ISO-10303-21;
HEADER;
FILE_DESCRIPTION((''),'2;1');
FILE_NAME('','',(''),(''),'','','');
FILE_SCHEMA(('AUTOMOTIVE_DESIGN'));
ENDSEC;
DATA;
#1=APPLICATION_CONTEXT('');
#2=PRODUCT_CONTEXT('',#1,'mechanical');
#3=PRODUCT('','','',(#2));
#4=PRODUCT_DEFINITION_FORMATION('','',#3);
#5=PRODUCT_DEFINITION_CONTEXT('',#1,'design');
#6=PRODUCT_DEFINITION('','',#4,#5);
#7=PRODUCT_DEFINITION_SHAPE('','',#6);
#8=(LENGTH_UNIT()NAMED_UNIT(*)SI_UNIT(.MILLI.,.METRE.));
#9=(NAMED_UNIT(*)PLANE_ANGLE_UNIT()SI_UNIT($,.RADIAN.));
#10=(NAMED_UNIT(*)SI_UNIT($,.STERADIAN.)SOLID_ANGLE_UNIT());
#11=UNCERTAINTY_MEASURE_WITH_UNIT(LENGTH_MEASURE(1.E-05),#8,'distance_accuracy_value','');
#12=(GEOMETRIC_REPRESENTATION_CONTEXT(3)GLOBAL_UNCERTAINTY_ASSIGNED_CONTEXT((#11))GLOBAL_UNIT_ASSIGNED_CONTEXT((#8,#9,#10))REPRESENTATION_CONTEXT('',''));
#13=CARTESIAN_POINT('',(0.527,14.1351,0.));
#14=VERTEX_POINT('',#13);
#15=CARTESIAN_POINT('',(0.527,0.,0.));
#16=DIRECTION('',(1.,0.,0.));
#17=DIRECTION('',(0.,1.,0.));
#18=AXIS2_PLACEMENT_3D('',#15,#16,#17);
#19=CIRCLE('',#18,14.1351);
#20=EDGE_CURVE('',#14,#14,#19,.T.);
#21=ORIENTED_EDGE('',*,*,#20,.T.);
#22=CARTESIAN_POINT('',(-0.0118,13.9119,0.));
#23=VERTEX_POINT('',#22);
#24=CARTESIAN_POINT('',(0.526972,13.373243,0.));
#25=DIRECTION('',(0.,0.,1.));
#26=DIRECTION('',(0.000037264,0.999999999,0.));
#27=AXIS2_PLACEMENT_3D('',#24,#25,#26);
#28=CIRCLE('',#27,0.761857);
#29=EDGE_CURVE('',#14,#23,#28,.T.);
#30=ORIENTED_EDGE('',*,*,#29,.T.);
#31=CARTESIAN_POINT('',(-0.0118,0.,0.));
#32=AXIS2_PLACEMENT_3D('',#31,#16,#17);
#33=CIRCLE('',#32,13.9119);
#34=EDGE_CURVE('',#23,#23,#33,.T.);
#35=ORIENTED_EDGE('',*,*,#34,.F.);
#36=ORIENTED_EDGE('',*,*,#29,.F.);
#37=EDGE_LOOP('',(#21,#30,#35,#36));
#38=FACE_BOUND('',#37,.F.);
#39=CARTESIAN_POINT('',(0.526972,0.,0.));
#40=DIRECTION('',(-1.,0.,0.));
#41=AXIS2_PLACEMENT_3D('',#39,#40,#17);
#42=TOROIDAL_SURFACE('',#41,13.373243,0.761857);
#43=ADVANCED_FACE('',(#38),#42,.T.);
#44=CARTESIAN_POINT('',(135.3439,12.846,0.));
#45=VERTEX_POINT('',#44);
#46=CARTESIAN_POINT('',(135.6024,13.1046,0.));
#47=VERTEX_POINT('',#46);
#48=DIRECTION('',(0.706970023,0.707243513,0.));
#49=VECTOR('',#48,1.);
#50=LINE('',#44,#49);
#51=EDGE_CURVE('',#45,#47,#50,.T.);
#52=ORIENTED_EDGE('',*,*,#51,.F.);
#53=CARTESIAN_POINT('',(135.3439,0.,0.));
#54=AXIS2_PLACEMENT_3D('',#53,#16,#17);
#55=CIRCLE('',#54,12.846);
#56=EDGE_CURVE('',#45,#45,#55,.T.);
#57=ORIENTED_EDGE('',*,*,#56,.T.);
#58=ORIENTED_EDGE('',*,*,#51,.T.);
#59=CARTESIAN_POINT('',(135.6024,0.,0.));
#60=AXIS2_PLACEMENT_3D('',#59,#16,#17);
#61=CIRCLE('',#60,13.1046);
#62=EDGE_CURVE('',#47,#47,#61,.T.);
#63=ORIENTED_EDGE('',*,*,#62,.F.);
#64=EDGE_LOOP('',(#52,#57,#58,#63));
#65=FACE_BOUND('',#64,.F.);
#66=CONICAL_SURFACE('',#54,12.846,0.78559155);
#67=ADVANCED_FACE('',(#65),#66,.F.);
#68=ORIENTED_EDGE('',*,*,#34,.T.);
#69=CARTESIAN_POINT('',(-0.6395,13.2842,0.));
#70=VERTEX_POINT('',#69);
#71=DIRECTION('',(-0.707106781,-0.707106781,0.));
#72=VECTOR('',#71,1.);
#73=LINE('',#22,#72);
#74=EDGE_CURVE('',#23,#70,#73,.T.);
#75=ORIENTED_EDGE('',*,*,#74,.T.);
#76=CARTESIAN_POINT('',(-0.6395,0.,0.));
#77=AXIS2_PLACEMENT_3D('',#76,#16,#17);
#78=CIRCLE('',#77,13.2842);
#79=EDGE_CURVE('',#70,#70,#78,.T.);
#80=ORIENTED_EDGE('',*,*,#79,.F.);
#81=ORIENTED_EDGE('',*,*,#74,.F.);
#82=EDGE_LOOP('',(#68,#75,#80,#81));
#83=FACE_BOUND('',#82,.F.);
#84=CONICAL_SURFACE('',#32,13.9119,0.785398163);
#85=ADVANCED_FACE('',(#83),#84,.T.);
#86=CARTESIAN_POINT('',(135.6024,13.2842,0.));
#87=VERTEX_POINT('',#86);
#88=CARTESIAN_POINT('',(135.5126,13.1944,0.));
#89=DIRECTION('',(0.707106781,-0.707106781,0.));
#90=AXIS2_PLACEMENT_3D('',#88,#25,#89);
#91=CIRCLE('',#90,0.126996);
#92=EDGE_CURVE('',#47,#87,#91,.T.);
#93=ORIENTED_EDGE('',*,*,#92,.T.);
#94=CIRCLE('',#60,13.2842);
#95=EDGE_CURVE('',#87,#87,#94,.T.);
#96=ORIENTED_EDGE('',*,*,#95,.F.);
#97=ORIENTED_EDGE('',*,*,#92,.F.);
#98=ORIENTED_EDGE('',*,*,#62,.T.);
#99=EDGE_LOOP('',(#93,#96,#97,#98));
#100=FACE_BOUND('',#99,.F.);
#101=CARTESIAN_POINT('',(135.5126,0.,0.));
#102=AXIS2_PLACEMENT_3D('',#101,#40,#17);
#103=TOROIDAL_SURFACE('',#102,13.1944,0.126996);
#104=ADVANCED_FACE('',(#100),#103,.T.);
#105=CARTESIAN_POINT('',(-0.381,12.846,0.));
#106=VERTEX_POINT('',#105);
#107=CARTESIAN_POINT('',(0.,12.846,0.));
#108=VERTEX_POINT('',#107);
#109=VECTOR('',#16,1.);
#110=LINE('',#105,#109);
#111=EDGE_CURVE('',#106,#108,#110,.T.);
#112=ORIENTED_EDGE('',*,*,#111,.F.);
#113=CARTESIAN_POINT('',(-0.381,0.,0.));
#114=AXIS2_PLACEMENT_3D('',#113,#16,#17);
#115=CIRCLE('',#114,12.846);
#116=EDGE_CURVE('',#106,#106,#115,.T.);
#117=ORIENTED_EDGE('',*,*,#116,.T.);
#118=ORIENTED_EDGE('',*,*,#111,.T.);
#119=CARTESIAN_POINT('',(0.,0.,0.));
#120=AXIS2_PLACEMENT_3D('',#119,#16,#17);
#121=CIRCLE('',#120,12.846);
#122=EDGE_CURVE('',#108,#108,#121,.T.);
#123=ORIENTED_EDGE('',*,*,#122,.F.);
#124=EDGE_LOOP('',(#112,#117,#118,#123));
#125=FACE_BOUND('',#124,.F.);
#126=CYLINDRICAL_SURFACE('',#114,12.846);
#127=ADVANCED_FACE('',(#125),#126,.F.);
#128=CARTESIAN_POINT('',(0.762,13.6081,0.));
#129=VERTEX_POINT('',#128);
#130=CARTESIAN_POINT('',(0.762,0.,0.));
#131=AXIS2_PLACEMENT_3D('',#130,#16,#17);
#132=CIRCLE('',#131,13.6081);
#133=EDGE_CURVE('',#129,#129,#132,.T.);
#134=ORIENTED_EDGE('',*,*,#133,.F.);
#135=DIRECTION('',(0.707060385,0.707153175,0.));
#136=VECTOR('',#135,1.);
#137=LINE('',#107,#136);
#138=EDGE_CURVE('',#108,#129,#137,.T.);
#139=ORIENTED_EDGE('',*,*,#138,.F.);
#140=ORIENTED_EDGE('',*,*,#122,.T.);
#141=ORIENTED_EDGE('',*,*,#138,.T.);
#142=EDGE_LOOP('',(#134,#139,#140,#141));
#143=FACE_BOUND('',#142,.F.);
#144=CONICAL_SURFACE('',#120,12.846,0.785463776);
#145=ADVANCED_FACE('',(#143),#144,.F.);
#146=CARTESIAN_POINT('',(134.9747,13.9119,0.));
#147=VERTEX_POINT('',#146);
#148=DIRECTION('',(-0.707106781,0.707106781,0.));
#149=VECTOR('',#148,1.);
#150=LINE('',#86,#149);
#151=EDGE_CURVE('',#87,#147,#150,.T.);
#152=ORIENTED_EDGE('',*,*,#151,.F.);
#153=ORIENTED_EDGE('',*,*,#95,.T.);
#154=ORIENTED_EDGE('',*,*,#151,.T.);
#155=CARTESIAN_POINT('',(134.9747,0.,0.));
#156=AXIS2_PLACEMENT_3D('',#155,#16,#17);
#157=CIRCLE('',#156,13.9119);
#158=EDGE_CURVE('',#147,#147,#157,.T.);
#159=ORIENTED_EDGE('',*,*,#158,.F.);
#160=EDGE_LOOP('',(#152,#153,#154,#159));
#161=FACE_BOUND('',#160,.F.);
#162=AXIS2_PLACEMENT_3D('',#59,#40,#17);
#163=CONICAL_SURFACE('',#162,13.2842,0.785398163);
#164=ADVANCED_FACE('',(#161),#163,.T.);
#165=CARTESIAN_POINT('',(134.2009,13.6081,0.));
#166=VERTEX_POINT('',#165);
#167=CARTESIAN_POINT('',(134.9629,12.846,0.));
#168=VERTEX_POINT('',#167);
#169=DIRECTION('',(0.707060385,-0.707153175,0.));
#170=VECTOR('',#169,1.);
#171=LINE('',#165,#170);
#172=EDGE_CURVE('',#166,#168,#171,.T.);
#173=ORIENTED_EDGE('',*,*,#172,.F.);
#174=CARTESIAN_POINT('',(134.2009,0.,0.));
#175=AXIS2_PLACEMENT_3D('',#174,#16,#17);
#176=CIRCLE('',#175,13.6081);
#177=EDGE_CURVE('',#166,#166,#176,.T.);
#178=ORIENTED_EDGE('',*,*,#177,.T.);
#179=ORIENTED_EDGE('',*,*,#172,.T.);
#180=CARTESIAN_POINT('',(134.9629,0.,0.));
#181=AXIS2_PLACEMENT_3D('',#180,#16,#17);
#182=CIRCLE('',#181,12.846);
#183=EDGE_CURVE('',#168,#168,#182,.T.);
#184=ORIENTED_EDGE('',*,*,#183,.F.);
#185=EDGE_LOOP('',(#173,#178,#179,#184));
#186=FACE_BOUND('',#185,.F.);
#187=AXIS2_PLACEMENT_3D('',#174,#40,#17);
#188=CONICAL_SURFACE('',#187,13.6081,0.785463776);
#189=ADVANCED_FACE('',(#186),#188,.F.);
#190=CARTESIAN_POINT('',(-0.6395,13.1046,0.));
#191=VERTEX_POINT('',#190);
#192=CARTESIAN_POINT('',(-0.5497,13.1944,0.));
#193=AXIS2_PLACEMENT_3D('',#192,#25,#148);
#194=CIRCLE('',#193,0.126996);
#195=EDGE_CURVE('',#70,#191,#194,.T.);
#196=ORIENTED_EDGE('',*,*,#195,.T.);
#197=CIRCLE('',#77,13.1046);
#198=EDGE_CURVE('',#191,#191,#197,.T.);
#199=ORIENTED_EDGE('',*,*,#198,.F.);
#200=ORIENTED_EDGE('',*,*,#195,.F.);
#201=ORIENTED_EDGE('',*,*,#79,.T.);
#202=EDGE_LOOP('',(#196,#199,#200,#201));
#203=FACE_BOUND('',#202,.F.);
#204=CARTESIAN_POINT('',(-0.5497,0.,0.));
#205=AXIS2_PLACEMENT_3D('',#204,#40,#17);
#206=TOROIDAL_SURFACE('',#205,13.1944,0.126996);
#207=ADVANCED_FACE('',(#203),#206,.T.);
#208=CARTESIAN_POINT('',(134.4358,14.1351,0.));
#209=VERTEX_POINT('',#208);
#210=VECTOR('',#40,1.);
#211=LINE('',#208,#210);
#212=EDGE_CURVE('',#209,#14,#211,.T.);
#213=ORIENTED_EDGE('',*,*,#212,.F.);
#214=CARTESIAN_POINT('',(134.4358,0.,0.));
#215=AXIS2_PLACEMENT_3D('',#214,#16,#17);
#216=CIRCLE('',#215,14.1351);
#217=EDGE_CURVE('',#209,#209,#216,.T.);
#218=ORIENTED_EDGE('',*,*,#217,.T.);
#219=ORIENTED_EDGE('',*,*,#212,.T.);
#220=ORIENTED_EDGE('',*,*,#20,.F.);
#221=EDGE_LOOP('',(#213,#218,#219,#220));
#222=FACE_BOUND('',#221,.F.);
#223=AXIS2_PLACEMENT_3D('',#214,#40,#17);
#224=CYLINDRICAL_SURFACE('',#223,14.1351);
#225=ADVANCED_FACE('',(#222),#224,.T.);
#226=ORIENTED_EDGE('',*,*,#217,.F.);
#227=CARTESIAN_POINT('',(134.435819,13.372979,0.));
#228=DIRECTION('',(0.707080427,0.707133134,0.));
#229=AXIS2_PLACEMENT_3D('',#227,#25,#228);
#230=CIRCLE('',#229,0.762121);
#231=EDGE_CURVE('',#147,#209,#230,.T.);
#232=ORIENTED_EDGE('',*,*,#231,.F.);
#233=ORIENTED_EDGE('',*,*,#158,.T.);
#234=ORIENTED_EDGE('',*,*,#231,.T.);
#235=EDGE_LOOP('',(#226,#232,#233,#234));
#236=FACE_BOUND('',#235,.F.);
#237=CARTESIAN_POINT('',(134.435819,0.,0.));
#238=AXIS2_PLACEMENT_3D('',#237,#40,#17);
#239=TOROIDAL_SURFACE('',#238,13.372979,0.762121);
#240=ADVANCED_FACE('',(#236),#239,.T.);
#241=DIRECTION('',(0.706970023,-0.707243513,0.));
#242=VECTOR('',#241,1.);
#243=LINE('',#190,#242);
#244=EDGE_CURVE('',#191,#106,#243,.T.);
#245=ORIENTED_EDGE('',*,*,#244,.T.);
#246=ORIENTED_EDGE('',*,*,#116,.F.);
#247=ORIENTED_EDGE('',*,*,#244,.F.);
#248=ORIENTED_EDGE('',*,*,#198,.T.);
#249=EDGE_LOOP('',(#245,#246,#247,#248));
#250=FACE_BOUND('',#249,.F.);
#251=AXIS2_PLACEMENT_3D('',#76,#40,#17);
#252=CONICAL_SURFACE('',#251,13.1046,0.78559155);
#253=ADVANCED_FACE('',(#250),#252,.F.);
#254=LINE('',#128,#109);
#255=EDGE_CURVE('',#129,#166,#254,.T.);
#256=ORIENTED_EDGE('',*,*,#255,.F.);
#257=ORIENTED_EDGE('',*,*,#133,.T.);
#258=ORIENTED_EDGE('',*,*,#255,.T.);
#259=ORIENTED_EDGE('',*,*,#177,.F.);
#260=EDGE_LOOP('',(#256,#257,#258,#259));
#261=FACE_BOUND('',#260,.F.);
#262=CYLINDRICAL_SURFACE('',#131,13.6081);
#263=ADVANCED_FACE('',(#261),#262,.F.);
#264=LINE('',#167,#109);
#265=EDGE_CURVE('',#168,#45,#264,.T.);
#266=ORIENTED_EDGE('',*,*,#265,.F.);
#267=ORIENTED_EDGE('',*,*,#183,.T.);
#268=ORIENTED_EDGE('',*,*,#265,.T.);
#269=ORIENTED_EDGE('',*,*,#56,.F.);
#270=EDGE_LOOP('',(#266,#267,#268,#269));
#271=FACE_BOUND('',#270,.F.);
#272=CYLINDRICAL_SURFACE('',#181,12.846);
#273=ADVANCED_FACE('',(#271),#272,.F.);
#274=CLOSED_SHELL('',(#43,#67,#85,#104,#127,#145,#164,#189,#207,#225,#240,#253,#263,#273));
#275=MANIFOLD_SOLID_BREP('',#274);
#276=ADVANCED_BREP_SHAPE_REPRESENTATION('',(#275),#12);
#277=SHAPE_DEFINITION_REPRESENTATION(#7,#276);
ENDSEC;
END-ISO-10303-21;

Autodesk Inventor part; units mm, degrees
sketch "Sketch_1" plane through (0, 0, 0) normal (0, 0, 1) x (1, 0, 0)
  line L0 (134.9629, 0) -> (0, 0)
  arc A0 (-0.6395, 13.2842) -> (-0.6395, 13.1046) centre (-0.5497, 13.1944) ccw
  line L1 (-0.6395, 13.1046) -> (-0.381, 12.846)
  line L2 (-0.381, 12.846) -> (0, 12.846)
  line L3 (0, 12.846) -> (0.762, 13.6081)
  line L4 (0.762, 13.6081) -> (134.2009, 13.6081)
  line L5 (134.2009, 13.6081) -> (134.9629, 12.846)
  line L6 (134.9629, 12.846) -> (135.3439, 12.846)
  line L7 (135.3439, 12.846) -> (135.6024, 13.1046)
  arc A1 (135.6024, 13.1046) -> (135.6024, 13.2842) centre (135.5126, 13.1944) ccw
  line L8 (135.6024, 13.2842) -> (134.9747, 13.9119)
  arc A2 (134.9747, 13.9119) -> (134.4358, 14.1351) centre (134.4359, 13.3731) ccw
  line L9 (134.4358, 14.1351) -> (0.527, 14.1351)
  arc A3 (0.527, 14.1351) -> (-0.0118, 13.9119) centre (0.527, 13.3731) ccw
  line L10 (-0.0118, 13.9119) -> (-0.6395, 13.2842)
revolve "Revolution1" add sketch "Sketch_1" angle 360 about axis through (134.9629, 0, 0) along (1, 0, 0)
ref_plane "cp1_XY" through (67.4814, 14.1351, 0) normal (1, 0, 0) x (0, 0, -1)
ref_plane "cp1_YZ" through (67.4814, 14.1351, 0) normal (0, 0, -1) x (0, 1, 0)
ref_plane "cp1_ZX" through (67.4814, 14.1351, 0) normal (0, 1, 0) x (1, 0, 0)
ref_plane "cp2_XY" through (67.4814, 0, -14.1351) normal (1, 0, 0) x (0, 0, -1)
ref_plane "cp2_YZ" through (67.4814, 0, -14.1351) normal (0, 0, -1) x (0, 1, 0)
ref_plane "cp2_ZX" through (67.4814, 0, -14.1351) normal (0, 1, 0) x (1, 0, 0)
ref_plane "cp3_XY" through (67.4814, -14.1351, 0) normal (1, 0, 0) x (0, 0, -1)
ref_plane "cp3_YZ" through (67.4814, -14.1351, 0) normal (0, 0, -1) x (0, 1, 0)
ref_plane "cp3_ZX" through (67.4814, -14.1351, 0) normal (0, 1, 0) x (1, 0, 0)
ref_plane "cp4_XY" through (67.4814, 0, 14.1351) normal (1, 0, 0) x (0, 0, -1)
ref_plane "cp4_YZ" through (67.4814, 0, 14.1351) normal (0, 0, -1) x (0, 1, 0)
ref_plane "cp4_ZX" through (67.4814, 0, 14.1351) normal (0, 1, 0) x (1, 0, 0)
ref_plane "tube_front_XY" through (0, 0, 0) normal (1, 0, 0) x (0, 0, -1)
ref_plane "tube_front_YZ" through (0, 0, 0) normal (0, 0, -1) x (0, 1, 0)
ref_plane "tube_front_ZX" through (0, 0, 0) normal (0, 1, 0) x (1, 0, 0)
ref_plane "tube_rear_XY" through (134.9629, 0, 0) normal (1, 0, 0) x (0, 0, -1)
ref_plane "tube_rear_YZ" through (134.9629, 0, 0) normal (0, 0, -1) x (0, 1, 0)
ref_plane "tube_rear_ZX" through (134.9629, 0, 0) normal (0, 1, 0) x (1, 0, 0)
properties part number "09R-5.31350C"
